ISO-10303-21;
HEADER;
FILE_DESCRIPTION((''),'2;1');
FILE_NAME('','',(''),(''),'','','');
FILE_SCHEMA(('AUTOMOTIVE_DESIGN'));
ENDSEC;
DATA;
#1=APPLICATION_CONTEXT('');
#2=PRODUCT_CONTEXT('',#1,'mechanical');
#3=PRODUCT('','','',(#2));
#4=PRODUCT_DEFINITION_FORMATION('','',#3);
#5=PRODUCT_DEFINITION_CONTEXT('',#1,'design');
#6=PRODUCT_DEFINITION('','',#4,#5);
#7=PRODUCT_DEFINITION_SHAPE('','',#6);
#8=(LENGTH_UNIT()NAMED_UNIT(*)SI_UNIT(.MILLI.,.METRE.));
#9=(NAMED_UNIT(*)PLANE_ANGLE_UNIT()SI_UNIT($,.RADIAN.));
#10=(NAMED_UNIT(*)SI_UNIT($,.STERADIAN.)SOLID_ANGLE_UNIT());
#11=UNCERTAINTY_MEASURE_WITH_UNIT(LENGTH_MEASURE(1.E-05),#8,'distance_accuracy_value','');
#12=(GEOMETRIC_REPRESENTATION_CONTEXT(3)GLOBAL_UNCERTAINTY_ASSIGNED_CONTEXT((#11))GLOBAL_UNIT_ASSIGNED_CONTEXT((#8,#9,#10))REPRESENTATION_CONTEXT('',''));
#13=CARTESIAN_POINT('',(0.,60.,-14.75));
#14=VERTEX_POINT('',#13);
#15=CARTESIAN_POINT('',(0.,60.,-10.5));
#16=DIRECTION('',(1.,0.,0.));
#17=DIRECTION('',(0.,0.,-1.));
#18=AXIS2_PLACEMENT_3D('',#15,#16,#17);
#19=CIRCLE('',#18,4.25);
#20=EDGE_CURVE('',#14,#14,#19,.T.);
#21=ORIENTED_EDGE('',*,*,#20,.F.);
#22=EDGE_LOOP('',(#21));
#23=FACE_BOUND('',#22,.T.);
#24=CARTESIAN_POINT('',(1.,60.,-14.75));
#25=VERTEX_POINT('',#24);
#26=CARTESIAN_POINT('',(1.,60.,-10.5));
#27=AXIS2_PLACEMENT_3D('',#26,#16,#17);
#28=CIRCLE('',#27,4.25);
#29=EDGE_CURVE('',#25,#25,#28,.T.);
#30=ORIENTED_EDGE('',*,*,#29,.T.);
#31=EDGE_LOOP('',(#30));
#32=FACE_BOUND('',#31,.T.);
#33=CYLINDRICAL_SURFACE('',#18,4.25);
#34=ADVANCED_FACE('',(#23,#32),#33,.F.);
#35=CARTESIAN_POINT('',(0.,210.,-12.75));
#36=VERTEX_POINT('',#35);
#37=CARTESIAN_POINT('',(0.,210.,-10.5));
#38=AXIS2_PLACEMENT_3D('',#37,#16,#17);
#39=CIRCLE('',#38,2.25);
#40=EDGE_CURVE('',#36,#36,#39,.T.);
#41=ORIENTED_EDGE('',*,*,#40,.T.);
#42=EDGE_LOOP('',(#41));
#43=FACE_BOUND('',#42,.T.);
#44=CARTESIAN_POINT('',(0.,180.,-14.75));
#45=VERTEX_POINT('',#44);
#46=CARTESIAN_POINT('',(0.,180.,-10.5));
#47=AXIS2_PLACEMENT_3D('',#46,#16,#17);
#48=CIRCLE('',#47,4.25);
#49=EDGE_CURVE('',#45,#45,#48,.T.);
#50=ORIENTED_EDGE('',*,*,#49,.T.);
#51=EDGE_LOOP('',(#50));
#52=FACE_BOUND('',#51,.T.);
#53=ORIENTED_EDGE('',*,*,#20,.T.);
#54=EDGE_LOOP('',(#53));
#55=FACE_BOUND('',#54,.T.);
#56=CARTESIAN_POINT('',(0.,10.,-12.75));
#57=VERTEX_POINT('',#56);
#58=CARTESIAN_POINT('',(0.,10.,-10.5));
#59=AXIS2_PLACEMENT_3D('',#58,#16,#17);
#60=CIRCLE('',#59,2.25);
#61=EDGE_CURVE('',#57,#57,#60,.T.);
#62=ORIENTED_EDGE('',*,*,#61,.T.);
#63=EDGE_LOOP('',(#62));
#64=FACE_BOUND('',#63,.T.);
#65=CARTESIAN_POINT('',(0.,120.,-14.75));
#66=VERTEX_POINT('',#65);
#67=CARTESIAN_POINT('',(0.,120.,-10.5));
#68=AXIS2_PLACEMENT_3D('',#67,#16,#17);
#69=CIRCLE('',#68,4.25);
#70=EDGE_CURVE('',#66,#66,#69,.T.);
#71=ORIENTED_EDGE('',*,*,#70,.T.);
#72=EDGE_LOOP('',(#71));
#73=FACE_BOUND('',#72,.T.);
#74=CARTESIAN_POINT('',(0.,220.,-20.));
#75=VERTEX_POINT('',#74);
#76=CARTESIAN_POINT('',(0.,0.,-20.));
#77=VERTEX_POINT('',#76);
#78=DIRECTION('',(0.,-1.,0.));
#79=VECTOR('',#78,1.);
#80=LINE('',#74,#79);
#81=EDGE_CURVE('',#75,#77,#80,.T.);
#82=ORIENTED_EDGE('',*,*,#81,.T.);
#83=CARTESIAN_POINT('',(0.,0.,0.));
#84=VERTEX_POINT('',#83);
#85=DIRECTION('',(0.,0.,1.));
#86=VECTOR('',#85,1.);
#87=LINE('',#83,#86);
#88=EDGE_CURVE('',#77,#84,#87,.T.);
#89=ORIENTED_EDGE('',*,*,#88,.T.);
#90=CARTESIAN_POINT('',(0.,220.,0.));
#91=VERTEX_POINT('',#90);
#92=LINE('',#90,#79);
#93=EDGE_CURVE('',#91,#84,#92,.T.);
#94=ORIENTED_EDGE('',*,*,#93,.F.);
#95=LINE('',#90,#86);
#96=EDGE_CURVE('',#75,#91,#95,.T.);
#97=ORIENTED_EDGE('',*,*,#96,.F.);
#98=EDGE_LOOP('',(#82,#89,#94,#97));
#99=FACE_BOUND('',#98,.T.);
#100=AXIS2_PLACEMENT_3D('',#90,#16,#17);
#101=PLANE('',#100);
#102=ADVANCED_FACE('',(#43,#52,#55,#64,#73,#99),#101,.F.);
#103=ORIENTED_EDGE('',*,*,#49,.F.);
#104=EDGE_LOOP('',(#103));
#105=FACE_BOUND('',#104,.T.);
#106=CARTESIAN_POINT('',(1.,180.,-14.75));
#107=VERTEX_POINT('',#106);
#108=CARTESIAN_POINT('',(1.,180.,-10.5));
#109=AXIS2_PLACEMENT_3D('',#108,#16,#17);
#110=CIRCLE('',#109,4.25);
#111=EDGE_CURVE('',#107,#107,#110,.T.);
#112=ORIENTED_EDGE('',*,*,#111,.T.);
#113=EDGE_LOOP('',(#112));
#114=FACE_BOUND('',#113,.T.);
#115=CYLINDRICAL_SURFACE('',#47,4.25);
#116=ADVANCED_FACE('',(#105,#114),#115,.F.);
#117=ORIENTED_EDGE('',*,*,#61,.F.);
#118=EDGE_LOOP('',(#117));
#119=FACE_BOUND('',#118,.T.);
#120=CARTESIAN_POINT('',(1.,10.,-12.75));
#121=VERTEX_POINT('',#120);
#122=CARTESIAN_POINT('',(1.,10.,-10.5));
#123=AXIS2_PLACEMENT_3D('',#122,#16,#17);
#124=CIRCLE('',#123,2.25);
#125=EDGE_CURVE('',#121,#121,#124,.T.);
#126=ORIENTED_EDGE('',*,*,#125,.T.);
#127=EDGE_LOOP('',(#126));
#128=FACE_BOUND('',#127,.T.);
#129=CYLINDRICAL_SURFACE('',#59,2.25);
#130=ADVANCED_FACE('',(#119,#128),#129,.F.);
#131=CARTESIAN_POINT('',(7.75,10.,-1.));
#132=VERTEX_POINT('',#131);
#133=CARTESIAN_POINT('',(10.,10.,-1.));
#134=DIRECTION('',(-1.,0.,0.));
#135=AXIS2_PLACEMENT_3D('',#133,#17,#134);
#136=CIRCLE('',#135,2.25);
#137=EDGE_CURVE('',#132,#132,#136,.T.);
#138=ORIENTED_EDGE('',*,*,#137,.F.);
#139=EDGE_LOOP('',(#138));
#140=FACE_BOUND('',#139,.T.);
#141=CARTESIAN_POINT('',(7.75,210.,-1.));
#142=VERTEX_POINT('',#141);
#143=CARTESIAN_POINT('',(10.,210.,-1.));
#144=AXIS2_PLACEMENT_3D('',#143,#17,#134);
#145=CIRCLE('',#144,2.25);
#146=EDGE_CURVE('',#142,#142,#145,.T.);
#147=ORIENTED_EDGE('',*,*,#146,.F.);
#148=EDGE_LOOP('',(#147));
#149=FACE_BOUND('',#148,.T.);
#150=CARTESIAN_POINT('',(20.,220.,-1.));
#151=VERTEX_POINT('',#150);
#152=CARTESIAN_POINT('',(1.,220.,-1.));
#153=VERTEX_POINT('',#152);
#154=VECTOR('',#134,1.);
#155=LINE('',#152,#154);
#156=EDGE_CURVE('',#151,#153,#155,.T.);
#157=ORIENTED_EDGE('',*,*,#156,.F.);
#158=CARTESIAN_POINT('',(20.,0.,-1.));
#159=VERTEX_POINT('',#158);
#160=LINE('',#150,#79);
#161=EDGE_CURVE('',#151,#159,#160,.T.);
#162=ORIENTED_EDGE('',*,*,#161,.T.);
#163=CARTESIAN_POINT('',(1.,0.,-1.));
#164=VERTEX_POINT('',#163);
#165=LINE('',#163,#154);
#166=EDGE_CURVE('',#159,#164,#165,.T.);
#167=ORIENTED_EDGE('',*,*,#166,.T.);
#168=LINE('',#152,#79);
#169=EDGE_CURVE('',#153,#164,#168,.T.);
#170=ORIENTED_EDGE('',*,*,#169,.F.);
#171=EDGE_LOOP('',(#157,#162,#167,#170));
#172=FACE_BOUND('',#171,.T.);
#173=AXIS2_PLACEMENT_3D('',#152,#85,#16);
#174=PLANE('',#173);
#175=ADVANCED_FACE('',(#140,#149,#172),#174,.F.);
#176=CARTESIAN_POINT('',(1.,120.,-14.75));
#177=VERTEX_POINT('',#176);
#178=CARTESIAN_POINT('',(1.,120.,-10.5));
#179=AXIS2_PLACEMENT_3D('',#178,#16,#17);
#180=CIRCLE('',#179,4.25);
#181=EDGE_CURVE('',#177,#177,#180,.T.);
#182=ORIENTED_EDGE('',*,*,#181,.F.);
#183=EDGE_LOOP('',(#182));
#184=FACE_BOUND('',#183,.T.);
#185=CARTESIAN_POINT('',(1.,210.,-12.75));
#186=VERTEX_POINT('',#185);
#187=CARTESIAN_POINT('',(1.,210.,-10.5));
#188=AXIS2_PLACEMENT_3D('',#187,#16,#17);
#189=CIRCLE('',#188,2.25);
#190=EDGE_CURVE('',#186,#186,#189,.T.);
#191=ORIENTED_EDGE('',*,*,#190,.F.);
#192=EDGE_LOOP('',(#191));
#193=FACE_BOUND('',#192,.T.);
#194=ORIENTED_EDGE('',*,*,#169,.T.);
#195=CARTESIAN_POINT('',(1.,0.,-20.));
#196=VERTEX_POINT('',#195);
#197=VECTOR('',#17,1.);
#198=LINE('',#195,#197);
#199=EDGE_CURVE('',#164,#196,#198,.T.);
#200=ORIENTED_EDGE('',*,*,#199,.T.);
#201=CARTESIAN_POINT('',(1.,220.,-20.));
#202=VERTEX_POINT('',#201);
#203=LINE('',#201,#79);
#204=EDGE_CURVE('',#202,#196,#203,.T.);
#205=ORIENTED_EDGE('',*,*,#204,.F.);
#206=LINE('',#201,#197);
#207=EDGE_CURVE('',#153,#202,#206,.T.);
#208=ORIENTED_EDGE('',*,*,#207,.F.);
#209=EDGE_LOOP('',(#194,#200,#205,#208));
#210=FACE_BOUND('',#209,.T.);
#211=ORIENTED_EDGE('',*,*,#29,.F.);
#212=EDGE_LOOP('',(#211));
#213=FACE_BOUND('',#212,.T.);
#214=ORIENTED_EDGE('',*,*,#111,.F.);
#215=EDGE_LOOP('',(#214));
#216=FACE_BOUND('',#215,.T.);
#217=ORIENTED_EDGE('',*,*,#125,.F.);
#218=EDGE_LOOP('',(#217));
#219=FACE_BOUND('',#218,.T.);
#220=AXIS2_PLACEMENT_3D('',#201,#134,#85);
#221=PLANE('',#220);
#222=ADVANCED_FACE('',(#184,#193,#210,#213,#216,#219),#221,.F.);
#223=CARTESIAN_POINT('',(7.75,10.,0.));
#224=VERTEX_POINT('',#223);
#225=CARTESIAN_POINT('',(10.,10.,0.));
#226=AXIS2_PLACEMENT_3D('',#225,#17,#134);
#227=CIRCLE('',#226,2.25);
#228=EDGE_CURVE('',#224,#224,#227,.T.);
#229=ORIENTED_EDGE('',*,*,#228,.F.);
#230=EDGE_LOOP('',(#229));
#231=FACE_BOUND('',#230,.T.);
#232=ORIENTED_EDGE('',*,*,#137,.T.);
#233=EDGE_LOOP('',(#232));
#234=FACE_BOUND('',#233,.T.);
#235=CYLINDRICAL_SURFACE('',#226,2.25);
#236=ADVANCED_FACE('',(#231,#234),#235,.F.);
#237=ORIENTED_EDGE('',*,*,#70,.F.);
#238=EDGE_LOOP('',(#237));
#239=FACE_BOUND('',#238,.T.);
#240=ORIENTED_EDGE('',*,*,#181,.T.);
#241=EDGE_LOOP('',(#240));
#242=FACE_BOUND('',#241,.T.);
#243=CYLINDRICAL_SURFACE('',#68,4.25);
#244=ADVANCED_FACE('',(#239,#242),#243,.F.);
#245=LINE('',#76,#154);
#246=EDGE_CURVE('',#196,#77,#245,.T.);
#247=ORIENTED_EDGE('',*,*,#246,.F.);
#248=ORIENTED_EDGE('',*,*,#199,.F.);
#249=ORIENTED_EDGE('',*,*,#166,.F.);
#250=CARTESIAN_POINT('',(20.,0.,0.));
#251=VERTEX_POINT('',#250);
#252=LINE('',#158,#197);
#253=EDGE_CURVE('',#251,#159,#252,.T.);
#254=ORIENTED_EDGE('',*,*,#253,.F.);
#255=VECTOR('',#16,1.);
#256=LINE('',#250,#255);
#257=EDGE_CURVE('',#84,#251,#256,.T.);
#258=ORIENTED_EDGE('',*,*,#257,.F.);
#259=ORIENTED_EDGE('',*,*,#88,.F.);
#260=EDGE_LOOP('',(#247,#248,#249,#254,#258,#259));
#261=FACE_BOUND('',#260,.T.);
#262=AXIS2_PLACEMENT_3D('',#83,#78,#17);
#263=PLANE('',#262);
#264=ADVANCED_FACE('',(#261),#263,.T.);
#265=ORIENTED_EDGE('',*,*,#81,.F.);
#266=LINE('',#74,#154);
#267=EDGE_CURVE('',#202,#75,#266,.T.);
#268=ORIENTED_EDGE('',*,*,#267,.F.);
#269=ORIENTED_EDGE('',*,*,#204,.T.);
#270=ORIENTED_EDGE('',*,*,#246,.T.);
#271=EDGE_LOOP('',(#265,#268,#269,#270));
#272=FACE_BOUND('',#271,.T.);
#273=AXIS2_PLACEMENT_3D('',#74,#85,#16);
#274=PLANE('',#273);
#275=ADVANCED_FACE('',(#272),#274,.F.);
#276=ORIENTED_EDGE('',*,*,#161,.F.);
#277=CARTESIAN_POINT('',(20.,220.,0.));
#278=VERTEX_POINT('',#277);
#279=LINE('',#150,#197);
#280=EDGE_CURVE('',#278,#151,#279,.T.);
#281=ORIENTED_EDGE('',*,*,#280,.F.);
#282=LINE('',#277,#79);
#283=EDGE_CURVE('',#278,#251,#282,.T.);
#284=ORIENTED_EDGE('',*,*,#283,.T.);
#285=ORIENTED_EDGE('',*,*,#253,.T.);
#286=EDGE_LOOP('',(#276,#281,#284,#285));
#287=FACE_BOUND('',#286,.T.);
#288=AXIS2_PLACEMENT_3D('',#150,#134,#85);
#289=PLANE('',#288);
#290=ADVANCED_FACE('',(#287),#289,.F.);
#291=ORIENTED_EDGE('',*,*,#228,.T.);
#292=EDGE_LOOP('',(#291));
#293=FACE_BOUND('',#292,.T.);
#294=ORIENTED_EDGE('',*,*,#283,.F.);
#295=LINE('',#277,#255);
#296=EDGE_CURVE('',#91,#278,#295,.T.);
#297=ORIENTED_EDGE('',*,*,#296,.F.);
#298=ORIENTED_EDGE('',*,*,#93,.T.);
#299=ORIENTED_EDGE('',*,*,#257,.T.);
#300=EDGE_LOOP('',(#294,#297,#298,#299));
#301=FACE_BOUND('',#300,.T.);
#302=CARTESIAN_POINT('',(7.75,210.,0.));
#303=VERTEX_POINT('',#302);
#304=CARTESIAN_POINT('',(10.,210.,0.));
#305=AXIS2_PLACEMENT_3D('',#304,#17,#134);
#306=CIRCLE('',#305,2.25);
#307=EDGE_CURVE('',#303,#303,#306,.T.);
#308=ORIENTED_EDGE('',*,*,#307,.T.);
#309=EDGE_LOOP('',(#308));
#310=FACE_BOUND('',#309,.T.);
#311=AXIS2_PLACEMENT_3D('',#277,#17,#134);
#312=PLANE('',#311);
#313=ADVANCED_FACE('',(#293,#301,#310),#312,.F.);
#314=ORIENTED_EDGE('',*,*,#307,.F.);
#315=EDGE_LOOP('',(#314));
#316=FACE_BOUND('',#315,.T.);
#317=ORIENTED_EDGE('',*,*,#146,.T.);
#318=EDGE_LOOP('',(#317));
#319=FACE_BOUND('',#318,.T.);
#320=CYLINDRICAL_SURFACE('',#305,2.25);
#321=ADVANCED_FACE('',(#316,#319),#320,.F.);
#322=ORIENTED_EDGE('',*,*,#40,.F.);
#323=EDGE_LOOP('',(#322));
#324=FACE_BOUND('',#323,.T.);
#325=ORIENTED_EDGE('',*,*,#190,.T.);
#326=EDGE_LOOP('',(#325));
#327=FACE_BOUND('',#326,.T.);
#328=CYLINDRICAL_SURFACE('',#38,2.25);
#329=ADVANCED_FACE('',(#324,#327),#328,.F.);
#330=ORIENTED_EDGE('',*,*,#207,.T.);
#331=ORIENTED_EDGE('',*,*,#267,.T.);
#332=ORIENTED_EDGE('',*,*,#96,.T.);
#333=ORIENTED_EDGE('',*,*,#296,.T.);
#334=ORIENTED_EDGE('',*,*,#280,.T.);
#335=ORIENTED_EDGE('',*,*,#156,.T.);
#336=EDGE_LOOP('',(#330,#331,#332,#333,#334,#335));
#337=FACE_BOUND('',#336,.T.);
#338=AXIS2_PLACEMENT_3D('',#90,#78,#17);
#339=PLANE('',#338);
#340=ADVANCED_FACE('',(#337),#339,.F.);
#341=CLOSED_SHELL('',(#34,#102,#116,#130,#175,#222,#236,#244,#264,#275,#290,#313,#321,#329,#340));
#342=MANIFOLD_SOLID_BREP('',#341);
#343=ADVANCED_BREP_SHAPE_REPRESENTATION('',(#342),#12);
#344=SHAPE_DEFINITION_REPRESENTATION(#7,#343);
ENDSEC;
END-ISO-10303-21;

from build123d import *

# Parameters (mm, degrees)
EXTRUDE_1_DEPTH     = 220
SKETCH_2_R          = 4.25
CUT_EXTRUDE_1_DEPTH = 2
SKETCH_3_R          = 2.25
CUT_EXTRUDE_2_DEPTH = 2
SKETCH_4_R          = 2.25
CUT_EXTRUDE_3_DEPTH = 2
SKETCH_5_R          = 2.25
CUT_EXTRUDE_4_DEPTH = 2


with BuildPart() as part:
    # Эскиз1 → Бобышка-Вытянуть1 (new body)
    with BuildSketch(Plane(origin=(0, 0, 0), x_dir=(1, 0, 0), z_dir=(0, 1, 0))):
        Polygon((0, 0), (0, 20), (1, 20), (1, 1), (20, 1), (20, 0), align=None)
    extrude(amount=EXTRUDE_1_DEPTH)

    # Эскиз2 → Вырез-Вытянуть1 (cut, through all)
    with BuildSketch(Plane(origin=(1, 0, 0), x_dir=(0, 0, -1), z_dir=(1, 0, 0))):
        with Locations((10.5, 180)):
            Circle(SKETCH_2_R)
        with Locations((10.5, 120)):
            Circle(SKETCH_2_R)
        with Locations((10.5, 60)):
            Circle(SKETCH_2_R)
    extrude(amount=-CUT_EXTRUDE_1_DEPTH, mode=Mode.SUBTRACT)

    # Эскиз3 → Вырез-Вытянуть2 (cut, through all)
    with BuildSketch(Plane(origin=(1, 0, 0), x_dir=(0, 0, -1), z_dir=(1, 0, 0))):
        with Locations((10.5, 10)):
            Circle(SKETCH_3_R)
    extrude(amount=-CUT_EXTRUDE_2_DEPTH, mode=Mode.SUBTRACT)

    # Эскиз4 → Вырез-Вытянуть3 (cut, through all)
    with BuildSketch(Plane(origin=(1, 0, 0), x_dir=(0, 0, -1), z_dir=(1, 0, 0))):
        with Locations((10.5, 210)):
            Circle(SKETCH_4_R)
    extrude(amount=-CUT_EXTRUDE_3_DEPTH, mode=Mode.SUBTRACT)

    # Эскиз5 → Вырез-Вытянуть4 (cut, through all)
    with BuildSketch(Plane(origin=(0, 0, -1), x_dir=(-1, 0, 0), z_dir=(0, 0, -1))):
        with Locations((-10, 10)):
            Circle(SKETCH_5_R)
        with Locations((-10, 210)):
            Circle(SKETCH_5_R)
    extrude(amount=-CUT_EXTRUDE_4_DEPTH, mode=Mode.SUBTRACT)


solid = part.part
